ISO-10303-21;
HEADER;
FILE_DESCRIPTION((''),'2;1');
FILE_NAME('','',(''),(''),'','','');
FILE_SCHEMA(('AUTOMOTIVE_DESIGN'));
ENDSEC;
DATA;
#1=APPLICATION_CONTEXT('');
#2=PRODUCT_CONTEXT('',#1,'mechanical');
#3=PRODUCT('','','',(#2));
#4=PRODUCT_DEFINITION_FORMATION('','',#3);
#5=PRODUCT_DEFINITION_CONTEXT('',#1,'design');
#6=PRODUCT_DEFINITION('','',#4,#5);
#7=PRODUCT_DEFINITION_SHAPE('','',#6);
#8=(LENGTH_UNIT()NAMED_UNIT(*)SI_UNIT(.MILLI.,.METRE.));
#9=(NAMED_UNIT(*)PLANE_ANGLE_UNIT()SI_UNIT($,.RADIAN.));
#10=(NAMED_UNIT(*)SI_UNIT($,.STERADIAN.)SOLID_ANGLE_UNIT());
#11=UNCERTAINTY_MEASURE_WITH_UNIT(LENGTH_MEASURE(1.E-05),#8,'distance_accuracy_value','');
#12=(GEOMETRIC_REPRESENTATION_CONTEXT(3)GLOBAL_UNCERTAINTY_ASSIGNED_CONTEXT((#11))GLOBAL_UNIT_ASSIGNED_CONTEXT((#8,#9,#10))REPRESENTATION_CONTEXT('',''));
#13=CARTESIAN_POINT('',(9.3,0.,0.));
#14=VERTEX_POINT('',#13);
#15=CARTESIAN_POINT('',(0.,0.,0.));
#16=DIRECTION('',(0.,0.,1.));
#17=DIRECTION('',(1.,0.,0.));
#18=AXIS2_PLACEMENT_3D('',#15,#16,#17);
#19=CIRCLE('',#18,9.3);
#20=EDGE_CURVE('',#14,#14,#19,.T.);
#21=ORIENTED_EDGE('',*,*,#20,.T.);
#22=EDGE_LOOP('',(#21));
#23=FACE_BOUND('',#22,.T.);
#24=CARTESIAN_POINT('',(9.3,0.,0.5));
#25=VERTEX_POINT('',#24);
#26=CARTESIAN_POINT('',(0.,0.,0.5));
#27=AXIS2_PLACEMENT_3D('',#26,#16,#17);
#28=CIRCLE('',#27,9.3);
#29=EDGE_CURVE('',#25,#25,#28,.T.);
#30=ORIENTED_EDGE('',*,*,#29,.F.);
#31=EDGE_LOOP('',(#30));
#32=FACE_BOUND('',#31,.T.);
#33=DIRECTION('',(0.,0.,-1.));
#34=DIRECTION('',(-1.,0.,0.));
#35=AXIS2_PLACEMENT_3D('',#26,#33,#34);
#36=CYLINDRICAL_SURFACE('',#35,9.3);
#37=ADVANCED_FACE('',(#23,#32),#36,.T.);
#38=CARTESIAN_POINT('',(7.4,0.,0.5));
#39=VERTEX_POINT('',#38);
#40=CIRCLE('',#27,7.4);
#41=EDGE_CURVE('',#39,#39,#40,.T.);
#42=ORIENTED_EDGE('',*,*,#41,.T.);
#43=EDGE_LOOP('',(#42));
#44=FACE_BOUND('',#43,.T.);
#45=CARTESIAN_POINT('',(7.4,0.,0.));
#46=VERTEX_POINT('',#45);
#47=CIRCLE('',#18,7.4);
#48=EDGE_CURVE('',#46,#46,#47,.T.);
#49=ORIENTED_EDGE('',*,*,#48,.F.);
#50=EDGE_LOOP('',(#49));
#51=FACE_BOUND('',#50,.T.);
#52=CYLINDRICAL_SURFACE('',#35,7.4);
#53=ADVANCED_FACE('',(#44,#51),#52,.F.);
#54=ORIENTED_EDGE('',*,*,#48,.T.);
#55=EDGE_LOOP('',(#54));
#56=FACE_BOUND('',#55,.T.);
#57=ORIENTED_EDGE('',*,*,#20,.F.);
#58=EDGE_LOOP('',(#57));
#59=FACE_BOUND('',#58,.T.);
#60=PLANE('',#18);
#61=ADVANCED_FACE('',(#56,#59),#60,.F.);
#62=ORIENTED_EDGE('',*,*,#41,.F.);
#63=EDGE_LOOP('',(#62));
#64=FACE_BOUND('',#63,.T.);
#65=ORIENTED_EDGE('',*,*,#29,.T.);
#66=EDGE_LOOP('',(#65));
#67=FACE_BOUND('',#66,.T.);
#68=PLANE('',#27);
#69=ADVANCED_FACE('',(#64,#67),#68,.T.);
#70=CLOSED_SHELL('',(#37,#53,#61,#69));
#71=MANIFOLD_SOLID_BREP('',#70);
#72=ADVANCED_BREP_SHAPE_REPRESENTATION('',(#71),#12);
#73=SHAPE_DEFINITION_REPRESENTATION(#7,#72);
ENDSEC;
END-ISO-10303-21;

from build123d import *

# Parameters (mm, degrees)
IZIM1_R                     = 9.3
IZIM1_R_2                   = 7.4
Y_KSEKLIK_EKSTR_ZYON1_DEPTH = 0.5


with BuildPart() as part:
    # Çizim1 → Yükseklik-Ekstrüzyon1 (new body)
    with BuildSketch(Plane.XY):
        Circle(IZIM1_R)
        Circle(IZIM1_R_2, mode=Mode.SUBTRACT)
    extrude(amount=Y_KSEKLIK_EKSTR_ZYON1_DEPTH)


solid = part.part
